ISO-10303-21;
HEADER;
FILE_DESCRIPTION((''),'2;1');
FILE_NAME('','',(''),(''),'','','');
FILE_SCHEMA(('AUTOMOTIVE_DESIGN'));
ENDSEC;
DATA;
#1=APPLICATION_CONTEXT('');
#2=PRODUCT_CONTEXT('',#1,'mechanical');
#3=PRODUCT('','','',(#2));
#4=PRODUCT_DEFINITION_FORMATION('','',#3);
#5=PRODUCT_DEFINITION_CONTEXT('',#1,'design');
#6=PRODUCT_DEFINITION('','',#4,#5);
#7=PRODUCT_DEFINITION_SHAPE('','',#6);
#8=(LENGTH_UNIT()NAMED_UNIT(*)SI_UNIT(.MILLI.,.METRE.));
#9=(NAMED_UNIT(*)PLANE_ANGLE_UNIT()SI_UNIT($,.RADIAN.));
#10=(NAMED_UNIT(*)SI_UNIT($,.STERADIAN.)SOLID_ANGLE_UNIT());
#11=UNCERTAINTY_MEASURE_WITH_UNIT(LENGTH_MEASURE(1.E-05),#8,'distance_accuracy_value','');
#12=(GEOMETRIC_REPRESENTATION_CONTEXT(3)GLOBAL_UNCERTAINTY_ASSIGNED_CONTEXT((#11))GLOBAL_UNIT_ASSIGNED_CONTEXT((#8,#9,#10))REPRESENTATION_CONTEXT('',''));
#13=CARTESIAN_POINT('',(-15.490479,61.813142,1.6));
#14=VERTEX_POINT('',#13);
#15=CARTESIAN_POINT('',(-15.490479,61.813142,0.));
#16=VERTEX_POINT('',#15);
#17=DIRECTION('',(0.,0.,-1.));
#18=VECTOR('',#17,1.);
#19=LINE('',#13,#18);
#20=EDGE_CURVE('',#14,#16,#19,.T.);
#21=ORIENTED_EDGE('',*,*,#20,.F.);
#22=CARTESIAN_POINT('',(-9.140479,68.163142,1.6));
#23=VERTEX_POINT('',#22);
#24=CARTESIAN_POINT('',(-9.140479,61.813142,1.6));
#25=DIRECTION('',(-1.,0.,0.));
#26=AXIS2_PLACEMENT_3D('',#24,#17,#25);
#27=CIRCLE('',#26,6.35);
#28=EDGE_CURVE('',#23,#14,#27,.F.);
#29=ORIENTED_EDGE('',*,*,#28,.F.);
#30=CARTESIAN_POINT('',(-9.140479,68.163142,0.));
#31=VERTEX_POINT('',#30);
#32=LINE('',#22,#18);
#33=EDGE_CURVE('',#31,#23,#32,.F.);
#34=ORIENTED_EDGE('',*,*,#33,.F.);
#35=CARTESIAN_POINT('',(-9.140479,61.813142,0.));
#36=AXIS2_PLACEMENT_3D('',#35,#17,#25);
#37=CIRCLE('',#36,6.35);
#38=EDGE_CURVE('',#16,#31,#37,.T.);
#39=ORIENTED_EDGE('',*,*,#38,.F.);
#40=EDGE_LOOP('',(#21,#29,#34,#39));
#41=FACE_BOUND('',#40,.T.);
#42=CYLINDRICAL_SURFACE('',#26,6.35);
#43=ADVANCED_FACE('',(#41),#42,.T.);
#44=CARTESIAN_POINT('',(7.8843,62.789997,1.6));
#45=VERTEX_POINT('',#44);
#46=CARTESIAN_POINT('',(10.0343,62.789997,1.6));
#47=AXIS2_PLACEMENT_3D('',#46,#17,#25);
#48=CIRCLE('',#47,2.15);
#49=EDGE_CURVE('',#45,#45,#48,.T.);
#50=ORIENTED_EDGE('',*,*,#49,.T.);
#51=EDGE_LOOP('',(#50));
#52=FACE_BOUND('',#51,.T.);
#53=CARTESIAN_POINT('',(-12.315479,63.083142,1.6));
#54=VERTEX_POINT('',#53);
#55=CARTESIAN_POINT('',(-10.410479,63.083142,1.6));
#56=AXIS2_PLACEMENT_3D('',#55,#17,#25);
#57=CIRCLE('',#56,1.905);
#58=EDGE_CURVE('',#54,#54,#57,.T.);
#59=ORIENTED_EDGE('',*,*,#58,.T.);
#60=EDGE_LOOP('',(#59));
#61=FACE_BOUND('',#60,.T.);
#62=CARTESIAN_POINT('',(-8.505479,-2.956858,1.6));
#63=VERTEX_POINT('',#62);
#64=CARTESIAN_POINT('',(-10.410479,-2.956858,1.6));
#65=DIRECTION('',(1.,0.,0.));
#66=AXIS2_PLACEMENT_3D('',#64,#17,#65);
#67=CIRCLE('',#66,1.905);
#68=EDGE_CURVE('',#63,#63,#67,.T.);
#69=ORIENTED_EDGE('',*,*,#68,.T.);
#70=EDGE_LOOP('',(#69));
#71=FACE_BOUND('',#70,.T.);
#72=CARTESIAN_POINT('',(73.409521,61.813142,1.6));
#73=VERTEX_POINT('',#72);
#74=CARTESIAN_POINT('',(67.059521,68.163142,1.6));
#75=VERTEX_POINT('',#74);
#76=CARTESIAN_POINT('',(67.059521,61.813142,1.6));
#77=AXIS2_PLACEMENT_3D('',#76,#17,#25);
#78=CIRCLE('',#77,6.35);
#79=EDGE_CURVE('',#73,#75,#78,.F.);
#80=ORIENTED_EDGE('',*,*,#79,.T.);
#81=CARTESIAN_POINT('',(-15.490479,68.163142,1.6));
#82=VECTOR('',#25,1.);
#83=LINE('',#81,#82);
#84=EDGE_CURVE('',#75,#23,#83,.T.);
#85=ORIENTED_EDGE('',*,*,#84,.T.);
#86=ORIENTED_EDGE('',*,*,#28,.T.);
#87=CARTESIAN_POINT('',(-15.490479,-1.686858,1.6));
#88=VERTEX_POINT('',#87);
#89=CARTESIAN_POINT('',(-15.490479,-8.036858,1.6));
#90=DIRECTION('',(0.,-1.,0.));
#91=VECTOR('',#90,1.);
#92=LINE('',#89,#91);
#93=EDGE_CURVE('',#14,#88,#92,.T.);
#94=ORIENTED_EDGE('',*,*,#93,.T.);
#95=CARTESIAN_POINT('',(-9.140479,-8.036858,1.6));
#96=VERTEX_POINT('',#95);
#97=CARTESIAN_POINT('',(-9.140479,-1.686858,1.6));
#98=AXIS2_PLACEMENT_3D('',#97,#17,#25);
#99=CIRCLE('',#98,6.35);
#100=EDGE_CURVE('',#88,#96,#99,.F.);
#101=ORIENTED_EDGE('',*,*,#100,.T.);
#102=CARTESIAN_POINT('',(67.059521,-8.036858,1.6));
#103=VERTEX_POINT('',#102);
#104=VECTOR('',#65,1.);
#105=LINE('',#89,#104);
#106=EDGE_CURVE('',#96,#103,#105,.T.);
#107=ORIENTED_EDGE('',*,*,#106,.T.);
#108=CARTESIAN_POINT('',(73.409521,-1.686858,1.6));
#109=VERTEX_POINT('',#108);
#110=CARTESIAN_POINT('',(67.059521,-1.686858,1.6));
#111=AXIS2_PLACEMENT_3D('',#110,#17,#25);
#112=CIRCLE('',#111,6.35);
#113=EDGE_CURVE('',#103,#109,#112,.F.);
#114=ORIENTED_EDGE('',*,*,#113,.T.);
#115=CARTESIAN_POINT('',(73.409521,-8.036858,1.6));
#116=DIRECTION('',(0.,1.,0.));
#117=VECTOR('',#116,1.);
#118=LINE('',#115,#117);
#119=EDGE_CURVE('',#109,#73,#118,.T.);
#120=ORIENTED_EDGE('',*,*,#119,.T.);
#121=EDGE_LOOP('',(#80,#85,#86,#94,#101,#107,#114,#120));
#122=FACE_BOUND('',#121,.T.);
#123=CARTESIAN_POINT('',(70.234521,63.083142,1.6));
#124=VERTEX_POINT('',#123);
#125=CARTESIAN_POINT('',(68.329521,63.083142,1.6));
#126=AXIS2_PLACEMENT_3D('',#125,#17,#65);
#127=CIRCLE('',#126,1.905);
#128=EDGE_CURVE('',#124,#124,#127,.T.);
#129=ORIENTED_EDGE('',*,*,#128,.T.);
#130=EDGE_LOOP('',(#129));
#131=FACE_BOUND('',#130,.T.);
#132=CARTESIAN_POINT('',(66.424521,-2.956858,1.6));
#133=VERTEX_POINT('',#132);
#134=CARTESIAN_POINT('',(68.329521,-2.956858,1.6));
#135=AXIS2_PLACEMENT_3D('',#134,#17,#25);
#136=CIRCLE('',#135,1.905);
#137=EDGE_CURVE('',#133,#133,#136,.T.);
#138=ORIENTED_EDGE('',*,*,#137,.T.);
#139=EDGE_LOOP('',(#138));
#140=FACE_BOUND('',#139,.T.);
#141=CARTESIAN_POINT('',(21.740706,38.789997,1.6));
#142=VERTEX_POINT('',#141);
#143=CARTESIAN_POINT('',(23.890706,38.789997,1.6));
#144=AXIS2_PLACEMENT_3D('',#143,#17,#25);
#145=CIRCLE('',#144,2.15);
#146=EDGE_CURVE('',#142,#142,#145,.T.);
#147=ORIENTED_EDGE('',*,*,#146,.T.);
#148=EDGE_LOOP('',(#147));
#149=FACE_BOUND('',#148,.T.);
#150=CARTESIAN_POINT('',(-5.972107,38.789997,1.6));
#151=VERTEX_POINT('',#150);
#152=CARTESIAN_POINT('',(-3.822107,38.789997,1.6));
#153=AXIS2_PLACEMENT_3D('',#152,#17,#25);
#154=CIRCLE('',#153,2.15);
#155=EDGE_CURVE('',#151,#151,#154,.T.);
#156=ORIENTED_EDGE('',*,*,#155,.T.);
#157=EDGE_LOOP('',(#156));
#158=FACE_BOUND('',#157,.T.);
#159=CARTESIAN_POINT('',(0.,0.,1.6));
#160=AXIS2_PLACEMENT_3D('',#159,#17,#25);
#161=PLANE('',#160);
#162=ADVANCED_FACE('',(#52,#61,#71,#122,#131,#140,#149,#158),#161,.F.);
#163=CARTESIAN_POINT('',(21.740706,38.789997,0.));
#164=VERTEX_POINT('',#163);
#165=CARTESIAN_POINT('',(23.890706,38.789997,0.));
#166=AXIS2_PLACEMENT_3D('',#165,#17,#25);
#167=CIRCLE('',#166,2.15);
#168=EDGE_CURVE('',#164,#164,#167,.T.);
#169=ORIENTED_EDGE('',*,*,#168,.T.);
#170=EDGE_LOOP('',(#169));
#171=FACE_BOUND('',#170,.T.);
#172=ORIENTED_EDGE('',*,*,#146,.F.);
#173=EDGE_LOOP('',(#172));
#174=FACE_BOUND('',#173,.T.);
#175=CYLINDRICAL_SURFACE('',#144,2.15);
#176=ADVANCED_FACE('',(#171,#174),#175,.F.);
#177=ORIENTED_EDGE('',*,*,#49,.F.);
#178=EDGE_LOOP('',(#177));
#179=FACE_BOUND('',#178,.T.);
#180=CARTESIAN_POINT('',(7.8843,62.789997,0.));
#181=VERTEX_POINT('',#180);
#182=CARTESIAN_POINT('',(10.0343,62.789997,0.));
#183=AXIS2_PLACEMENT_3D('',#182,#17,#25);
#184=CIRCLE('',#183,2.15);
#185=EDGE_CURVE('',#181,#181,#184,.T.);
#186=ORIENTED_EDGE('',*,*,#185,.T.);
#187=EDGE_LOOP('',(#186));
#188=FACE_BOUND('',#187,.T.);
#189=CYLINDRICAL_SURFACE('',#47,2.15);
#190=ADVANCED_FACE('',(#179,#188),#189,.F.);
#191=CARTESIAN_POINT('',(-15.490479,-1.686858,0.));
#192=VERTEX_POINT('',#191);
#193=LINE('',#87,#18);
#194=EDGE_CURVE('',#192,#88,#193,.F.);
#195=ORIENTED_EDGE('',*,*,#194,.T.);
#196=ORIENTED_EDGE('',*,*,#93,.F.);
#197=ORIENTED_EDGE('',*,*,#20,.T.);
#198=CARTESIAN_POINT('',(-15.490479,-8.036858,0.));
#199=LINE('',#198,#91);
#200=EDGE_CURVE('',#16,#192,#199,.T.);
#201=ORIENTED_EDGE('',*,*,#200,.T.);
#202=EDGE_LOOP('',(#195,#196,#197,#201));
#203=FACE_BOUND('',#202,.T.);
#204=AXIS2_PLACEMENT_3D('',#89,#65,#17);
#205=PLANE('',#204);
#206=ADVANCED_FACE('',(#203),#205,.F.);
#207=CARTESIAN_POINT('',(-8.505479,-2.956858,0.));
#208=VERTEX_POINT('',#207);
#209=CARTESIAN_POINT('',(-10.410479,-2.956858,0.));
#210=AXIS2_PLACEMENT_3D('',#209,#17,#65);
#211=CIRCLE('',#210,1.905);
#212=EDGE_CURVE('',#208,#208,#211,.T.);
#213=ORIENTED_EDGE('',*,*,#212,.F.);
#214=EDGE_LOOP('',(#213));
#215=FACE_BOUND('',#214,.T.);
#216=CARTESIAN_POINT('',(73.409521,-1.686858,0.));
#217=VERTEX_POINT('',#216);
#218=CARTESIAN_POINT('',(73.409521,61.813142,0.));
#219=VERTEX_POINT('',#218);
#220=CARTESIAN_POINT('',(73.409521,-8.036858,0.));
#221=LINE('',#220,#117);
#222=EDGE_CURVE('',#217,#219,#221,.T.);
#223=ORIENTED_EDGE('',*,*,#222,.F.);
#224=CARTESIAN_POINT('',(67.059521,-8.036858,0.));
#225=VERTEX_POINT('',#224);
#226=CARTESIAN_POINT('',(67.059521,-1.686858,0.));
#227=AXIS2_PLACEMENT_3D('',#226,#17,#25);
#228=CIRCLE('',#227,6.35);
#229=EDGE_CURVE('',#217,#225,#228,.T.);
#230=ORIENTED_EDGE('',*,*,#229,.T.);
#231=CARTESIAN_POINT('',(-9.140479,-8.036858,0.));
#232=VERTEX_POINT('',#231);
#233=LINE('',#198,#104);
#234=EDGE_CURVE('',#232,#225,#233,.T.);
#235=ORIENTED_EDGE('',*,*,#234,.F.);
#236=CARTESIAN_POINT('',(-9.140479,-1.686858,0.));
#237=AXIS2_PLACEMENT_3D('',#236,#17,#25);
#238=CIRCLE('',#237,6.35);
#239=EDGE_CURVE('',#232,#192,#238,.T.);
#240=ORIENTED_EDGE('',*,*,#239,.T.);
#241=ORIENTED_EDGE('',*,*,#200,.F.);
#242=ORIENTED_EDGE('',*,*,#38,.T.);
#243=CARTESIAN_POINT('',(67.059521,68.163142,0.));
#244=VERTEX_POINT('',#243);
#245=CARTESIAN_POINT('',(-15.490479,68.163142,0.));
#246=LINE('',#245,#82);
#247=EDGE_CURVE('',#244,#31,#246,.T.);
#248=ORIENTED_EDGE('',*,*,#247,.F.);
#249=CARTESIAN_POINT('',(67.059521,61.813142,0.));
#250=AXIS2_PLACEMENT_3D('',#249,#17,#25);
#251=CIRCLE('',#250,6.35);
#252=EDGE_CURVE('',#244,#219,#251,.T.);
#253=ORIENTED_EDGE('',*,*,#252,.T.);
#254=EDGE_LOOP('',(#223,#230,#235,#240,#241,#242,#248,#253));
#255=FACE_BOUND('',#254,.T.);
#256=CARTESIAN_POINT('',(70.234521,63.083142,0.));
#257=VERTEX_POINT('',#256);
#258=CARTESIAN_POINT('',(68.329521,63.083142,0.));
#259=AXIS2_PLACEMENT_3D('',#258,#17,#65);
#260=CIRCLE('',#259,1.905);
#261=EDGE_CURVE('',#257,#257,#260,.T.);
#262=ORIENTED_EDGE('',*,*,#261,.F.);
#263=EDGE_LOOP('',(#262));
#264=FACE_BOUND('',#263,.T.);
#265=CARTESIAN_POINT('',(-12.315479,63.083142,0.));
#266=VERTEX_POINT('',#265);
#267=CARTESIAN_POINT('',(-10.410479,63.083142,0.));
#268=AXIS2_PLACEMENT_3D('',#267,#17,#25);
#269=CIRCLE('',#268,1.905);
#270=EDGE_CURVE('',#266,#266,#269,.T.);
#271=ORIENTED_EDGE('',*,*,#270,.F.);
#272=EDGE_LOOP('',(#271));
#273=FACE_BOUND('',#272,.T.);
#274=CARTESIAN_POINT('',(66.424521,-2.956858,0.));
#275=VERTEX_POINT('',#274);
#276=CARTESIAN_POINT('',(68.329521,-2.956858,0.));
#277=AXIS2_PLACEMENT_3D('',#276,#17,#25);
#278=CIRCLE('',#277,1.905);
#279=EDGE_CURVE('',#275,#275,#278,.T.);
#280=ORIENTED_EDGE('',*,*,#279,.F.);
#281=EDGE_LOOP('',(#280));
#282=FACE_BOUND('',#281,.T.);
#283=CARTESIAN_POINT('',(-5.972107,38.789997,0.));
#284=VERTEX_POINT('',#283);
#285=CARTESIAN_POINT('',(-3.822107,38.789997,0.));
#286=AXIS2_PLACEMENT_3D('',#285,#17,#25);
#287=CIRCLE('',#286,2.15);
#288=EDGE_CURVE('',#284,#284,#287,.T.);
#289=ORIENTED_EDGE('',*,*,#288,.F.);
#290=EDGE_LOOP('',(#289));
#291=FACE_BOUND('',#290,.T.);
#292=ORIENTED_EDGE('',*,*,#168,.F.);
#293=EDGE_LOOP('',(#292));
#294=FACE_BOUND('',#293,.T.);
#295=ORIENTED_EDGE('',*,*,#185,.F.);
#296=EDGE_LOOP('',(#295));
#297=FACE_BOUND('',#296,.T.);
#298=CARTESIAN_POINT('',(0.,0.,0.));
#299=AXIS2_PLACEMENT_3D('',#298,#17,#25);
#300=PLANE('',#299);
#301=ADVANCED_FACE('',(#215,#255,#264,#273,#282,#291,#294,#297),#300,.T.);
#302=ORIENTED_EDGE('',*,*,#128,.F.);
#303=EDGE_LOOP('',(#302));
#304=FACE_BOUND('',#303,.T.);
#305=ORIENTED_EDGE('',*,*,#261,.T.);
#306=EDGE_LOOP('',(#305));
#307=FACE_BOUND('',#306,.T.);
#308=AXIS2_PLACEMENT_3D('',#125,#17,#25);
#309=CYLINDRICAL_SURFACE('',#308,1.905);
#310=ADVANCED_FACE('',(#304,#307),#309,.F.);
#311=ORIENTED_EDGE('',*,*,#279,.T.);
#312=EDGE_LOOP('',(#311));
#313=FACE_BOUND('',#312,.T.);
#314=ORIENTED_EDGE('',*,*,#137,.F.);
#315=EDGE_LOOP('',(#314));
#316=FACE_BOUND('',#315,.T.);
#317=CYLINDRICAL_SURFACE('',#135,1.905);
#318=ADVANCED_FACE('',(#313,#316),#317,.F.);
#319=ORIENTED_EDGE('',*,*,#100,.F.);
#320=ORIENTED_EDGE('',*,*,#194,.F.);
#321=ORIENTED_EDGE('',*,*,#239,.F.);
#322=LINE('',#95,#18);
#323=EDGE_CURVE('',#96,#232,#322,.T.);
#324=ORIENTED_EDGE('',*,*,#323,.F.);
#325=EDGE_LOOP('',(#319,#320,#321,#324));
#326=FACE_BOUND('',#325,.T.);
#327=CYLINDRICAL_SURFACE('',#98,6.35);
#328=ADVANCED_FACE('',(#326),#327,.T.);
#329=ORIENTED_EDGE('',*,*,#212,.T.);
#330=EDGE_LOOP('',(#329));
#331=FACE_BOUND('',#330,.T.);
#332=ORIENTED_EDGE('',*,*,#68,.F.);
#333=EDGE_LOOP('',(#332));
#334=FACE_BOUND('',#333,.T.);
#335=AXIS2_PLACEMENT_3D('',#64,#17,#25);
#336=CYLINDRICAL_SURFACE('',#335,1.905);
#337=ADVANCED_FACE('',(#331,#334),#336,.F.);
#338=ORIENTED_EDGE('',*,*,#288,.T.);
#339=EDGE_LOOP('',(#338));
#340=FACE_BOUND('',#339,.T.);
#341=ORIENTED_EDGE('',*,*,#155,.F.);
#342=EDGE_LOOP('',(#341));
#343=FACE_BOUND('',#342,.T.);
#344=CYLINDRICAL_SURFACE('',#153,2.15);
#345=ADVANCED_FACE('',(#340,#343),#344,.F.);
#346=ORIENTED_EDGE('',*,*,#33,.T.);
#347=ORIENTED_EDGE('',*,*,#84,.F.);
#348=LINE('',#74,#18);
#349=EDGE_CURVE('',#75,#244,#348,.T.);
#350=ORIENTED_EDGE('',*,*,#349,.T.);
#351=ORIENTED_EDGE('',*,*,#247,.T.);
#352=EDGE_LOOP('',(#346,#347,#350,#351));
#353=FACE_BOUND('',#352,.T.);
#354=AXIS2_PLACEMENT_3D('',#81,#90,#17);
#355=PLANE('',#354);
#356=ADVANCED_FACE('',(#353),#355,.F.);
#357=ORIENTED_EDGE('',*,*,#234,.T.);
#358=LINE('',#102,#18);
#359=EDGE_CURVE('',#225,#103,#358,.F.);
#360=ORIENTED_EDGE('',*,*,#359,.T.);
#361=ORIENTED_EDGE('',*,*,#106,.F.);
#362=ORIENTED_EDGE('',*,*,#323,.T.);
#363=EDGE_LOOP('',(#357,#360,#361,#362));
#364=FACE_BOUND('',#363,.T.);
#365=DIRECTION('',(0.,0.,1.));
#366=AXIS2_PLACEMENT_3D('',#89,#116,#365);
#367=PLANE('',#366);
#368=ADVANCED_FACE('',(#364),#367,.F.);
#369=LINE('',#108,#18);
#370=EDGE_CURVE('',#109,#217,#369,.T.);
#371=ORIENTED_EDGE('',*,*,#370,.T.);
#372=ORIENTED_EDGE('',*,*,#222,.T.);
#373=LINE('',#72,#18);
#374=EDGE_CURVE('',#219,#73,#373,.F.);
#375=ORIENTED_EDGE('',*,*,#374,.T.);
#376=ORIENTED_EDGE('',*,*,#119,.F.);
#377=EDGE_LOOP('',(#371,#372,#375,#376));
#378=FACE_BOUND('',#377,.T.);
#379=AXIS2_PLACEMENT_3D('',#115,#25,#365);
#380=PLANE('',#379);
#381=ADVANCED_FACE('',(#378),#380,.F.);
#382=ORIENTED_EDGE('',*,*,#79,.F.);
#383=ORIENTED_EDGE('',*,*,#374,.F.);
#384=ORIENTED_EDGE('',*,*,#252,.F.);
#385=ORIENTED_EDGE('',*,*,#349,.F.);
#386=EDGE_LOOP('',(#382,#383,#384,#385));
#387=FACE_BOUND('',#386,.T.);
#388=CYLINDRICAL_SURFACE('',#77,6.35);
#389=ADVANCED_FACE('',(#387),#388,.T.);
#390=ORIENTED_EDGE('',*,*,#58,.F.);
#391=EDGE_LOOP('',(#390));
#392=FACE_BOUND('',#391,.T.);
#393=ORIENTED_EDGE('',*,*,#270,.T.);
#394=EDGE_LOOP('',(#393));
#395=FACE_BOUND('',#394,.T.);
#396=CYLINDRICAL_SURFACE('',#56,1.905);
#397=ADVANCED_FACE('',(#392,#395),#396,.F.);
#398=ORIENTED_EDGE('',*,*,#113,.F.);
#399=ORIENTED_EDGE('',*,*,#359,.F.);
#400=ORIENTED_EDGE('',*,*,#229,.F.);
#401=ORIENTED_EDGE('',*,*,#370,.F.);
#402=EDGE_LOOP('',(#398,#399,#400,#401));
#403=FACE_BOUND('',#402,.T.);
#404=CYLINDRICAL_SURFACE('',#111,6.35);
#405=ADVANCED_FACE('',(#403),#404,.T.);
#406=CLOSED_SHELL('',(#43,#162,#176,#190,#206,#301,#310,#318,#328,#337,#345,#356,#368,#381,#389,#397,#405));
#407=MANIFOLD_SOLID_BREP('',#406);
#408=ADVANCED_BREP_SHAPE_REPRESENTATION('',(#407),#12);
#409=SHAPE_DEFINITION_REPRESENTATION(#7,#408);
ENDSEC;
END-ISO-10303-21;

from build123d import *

# Parameters (mm, degrees)
SKETCH1_W           = 88.9
SKETCH1_H           = 76.2
BOSS_EXTRUDE1_DEPTH = 1.6
SKETCH2_R           = 2.15
CUT_EXTRUDE1_DEPTH  = 2.6
SKETCH4_R           = 1.905
CUT_EXTRUDE2_DEPTH  = 2.6
FILLET1_R           = 6.35


with BuildPart() as part:
    # Sketch1 → Boss-Extrude1 (new body)
    with BuildSketch(Plane.XY):
        with Locations((28.959521177, 30.063142475)):
            Rectangle(SKETCH1_W, SKETCH1_H)
    extrude(amount=BOSS_EXTRUDE1_DEPTH)

    # Sketch2 → Cut-Extrude1 (cut, through all)
    with BuildSketch(Plane(origin=(0, 0, 0), x_dir=(-1, 0, 0), z_dir=(0, 0, -1))):
        with Locations((-23.890706089, 38.789996981)):
            Circle(SKETCH2_R)
        with Locations((3.822106833, 38.789996981)):
            Circle(SKETCH2_R)
        with Locations((-10.034299628, 62.789996981)):
            Circle(SKETCH2_R)
    extrude(amount=-CUT_EXTRUDE1_DEPTH, mode=Mode.SUBTRACT)

    # Sketch4 → Cut-Extrude2 (cut, through all)
    with BuildSketch(Plane(origin=(0, 0, 0), x_dir=(-1, 0, 0), z_dir=(0, 0, -1))):
        with Locations((10.410478823, 63.083142475)):
            Circle(SKETCH4_R)
        with Locations((-68.329521177, 63.083142475)):
            Circle(SKETCH4_R)
        with Locations((-68.329521177, -2.956857525)):
            Circle(SKETCH4_R)
        with Locations((10.410478823, -2.956857525)):
            Circle(SKETCH4_R)
    extrude(amount=-CUT_EXTRUDE2_DEPTH, mode=Mode.SUBTRACT)

    # Fillet1
    fillet1_edges = [part.edges().sort_by_distance(p)[0] for p in [
        (-15.490478823, 68.163142475, 0.8),
        (73.409521177, 68.163142475, 0.8),
        (73.409521177, -8.036857525, 0.8),
        (-15.490478823, -8.036857525, 0.8),
    ]]
    fillet(fillet1_edges, radius=FILLET1_R)


solid = part.part
